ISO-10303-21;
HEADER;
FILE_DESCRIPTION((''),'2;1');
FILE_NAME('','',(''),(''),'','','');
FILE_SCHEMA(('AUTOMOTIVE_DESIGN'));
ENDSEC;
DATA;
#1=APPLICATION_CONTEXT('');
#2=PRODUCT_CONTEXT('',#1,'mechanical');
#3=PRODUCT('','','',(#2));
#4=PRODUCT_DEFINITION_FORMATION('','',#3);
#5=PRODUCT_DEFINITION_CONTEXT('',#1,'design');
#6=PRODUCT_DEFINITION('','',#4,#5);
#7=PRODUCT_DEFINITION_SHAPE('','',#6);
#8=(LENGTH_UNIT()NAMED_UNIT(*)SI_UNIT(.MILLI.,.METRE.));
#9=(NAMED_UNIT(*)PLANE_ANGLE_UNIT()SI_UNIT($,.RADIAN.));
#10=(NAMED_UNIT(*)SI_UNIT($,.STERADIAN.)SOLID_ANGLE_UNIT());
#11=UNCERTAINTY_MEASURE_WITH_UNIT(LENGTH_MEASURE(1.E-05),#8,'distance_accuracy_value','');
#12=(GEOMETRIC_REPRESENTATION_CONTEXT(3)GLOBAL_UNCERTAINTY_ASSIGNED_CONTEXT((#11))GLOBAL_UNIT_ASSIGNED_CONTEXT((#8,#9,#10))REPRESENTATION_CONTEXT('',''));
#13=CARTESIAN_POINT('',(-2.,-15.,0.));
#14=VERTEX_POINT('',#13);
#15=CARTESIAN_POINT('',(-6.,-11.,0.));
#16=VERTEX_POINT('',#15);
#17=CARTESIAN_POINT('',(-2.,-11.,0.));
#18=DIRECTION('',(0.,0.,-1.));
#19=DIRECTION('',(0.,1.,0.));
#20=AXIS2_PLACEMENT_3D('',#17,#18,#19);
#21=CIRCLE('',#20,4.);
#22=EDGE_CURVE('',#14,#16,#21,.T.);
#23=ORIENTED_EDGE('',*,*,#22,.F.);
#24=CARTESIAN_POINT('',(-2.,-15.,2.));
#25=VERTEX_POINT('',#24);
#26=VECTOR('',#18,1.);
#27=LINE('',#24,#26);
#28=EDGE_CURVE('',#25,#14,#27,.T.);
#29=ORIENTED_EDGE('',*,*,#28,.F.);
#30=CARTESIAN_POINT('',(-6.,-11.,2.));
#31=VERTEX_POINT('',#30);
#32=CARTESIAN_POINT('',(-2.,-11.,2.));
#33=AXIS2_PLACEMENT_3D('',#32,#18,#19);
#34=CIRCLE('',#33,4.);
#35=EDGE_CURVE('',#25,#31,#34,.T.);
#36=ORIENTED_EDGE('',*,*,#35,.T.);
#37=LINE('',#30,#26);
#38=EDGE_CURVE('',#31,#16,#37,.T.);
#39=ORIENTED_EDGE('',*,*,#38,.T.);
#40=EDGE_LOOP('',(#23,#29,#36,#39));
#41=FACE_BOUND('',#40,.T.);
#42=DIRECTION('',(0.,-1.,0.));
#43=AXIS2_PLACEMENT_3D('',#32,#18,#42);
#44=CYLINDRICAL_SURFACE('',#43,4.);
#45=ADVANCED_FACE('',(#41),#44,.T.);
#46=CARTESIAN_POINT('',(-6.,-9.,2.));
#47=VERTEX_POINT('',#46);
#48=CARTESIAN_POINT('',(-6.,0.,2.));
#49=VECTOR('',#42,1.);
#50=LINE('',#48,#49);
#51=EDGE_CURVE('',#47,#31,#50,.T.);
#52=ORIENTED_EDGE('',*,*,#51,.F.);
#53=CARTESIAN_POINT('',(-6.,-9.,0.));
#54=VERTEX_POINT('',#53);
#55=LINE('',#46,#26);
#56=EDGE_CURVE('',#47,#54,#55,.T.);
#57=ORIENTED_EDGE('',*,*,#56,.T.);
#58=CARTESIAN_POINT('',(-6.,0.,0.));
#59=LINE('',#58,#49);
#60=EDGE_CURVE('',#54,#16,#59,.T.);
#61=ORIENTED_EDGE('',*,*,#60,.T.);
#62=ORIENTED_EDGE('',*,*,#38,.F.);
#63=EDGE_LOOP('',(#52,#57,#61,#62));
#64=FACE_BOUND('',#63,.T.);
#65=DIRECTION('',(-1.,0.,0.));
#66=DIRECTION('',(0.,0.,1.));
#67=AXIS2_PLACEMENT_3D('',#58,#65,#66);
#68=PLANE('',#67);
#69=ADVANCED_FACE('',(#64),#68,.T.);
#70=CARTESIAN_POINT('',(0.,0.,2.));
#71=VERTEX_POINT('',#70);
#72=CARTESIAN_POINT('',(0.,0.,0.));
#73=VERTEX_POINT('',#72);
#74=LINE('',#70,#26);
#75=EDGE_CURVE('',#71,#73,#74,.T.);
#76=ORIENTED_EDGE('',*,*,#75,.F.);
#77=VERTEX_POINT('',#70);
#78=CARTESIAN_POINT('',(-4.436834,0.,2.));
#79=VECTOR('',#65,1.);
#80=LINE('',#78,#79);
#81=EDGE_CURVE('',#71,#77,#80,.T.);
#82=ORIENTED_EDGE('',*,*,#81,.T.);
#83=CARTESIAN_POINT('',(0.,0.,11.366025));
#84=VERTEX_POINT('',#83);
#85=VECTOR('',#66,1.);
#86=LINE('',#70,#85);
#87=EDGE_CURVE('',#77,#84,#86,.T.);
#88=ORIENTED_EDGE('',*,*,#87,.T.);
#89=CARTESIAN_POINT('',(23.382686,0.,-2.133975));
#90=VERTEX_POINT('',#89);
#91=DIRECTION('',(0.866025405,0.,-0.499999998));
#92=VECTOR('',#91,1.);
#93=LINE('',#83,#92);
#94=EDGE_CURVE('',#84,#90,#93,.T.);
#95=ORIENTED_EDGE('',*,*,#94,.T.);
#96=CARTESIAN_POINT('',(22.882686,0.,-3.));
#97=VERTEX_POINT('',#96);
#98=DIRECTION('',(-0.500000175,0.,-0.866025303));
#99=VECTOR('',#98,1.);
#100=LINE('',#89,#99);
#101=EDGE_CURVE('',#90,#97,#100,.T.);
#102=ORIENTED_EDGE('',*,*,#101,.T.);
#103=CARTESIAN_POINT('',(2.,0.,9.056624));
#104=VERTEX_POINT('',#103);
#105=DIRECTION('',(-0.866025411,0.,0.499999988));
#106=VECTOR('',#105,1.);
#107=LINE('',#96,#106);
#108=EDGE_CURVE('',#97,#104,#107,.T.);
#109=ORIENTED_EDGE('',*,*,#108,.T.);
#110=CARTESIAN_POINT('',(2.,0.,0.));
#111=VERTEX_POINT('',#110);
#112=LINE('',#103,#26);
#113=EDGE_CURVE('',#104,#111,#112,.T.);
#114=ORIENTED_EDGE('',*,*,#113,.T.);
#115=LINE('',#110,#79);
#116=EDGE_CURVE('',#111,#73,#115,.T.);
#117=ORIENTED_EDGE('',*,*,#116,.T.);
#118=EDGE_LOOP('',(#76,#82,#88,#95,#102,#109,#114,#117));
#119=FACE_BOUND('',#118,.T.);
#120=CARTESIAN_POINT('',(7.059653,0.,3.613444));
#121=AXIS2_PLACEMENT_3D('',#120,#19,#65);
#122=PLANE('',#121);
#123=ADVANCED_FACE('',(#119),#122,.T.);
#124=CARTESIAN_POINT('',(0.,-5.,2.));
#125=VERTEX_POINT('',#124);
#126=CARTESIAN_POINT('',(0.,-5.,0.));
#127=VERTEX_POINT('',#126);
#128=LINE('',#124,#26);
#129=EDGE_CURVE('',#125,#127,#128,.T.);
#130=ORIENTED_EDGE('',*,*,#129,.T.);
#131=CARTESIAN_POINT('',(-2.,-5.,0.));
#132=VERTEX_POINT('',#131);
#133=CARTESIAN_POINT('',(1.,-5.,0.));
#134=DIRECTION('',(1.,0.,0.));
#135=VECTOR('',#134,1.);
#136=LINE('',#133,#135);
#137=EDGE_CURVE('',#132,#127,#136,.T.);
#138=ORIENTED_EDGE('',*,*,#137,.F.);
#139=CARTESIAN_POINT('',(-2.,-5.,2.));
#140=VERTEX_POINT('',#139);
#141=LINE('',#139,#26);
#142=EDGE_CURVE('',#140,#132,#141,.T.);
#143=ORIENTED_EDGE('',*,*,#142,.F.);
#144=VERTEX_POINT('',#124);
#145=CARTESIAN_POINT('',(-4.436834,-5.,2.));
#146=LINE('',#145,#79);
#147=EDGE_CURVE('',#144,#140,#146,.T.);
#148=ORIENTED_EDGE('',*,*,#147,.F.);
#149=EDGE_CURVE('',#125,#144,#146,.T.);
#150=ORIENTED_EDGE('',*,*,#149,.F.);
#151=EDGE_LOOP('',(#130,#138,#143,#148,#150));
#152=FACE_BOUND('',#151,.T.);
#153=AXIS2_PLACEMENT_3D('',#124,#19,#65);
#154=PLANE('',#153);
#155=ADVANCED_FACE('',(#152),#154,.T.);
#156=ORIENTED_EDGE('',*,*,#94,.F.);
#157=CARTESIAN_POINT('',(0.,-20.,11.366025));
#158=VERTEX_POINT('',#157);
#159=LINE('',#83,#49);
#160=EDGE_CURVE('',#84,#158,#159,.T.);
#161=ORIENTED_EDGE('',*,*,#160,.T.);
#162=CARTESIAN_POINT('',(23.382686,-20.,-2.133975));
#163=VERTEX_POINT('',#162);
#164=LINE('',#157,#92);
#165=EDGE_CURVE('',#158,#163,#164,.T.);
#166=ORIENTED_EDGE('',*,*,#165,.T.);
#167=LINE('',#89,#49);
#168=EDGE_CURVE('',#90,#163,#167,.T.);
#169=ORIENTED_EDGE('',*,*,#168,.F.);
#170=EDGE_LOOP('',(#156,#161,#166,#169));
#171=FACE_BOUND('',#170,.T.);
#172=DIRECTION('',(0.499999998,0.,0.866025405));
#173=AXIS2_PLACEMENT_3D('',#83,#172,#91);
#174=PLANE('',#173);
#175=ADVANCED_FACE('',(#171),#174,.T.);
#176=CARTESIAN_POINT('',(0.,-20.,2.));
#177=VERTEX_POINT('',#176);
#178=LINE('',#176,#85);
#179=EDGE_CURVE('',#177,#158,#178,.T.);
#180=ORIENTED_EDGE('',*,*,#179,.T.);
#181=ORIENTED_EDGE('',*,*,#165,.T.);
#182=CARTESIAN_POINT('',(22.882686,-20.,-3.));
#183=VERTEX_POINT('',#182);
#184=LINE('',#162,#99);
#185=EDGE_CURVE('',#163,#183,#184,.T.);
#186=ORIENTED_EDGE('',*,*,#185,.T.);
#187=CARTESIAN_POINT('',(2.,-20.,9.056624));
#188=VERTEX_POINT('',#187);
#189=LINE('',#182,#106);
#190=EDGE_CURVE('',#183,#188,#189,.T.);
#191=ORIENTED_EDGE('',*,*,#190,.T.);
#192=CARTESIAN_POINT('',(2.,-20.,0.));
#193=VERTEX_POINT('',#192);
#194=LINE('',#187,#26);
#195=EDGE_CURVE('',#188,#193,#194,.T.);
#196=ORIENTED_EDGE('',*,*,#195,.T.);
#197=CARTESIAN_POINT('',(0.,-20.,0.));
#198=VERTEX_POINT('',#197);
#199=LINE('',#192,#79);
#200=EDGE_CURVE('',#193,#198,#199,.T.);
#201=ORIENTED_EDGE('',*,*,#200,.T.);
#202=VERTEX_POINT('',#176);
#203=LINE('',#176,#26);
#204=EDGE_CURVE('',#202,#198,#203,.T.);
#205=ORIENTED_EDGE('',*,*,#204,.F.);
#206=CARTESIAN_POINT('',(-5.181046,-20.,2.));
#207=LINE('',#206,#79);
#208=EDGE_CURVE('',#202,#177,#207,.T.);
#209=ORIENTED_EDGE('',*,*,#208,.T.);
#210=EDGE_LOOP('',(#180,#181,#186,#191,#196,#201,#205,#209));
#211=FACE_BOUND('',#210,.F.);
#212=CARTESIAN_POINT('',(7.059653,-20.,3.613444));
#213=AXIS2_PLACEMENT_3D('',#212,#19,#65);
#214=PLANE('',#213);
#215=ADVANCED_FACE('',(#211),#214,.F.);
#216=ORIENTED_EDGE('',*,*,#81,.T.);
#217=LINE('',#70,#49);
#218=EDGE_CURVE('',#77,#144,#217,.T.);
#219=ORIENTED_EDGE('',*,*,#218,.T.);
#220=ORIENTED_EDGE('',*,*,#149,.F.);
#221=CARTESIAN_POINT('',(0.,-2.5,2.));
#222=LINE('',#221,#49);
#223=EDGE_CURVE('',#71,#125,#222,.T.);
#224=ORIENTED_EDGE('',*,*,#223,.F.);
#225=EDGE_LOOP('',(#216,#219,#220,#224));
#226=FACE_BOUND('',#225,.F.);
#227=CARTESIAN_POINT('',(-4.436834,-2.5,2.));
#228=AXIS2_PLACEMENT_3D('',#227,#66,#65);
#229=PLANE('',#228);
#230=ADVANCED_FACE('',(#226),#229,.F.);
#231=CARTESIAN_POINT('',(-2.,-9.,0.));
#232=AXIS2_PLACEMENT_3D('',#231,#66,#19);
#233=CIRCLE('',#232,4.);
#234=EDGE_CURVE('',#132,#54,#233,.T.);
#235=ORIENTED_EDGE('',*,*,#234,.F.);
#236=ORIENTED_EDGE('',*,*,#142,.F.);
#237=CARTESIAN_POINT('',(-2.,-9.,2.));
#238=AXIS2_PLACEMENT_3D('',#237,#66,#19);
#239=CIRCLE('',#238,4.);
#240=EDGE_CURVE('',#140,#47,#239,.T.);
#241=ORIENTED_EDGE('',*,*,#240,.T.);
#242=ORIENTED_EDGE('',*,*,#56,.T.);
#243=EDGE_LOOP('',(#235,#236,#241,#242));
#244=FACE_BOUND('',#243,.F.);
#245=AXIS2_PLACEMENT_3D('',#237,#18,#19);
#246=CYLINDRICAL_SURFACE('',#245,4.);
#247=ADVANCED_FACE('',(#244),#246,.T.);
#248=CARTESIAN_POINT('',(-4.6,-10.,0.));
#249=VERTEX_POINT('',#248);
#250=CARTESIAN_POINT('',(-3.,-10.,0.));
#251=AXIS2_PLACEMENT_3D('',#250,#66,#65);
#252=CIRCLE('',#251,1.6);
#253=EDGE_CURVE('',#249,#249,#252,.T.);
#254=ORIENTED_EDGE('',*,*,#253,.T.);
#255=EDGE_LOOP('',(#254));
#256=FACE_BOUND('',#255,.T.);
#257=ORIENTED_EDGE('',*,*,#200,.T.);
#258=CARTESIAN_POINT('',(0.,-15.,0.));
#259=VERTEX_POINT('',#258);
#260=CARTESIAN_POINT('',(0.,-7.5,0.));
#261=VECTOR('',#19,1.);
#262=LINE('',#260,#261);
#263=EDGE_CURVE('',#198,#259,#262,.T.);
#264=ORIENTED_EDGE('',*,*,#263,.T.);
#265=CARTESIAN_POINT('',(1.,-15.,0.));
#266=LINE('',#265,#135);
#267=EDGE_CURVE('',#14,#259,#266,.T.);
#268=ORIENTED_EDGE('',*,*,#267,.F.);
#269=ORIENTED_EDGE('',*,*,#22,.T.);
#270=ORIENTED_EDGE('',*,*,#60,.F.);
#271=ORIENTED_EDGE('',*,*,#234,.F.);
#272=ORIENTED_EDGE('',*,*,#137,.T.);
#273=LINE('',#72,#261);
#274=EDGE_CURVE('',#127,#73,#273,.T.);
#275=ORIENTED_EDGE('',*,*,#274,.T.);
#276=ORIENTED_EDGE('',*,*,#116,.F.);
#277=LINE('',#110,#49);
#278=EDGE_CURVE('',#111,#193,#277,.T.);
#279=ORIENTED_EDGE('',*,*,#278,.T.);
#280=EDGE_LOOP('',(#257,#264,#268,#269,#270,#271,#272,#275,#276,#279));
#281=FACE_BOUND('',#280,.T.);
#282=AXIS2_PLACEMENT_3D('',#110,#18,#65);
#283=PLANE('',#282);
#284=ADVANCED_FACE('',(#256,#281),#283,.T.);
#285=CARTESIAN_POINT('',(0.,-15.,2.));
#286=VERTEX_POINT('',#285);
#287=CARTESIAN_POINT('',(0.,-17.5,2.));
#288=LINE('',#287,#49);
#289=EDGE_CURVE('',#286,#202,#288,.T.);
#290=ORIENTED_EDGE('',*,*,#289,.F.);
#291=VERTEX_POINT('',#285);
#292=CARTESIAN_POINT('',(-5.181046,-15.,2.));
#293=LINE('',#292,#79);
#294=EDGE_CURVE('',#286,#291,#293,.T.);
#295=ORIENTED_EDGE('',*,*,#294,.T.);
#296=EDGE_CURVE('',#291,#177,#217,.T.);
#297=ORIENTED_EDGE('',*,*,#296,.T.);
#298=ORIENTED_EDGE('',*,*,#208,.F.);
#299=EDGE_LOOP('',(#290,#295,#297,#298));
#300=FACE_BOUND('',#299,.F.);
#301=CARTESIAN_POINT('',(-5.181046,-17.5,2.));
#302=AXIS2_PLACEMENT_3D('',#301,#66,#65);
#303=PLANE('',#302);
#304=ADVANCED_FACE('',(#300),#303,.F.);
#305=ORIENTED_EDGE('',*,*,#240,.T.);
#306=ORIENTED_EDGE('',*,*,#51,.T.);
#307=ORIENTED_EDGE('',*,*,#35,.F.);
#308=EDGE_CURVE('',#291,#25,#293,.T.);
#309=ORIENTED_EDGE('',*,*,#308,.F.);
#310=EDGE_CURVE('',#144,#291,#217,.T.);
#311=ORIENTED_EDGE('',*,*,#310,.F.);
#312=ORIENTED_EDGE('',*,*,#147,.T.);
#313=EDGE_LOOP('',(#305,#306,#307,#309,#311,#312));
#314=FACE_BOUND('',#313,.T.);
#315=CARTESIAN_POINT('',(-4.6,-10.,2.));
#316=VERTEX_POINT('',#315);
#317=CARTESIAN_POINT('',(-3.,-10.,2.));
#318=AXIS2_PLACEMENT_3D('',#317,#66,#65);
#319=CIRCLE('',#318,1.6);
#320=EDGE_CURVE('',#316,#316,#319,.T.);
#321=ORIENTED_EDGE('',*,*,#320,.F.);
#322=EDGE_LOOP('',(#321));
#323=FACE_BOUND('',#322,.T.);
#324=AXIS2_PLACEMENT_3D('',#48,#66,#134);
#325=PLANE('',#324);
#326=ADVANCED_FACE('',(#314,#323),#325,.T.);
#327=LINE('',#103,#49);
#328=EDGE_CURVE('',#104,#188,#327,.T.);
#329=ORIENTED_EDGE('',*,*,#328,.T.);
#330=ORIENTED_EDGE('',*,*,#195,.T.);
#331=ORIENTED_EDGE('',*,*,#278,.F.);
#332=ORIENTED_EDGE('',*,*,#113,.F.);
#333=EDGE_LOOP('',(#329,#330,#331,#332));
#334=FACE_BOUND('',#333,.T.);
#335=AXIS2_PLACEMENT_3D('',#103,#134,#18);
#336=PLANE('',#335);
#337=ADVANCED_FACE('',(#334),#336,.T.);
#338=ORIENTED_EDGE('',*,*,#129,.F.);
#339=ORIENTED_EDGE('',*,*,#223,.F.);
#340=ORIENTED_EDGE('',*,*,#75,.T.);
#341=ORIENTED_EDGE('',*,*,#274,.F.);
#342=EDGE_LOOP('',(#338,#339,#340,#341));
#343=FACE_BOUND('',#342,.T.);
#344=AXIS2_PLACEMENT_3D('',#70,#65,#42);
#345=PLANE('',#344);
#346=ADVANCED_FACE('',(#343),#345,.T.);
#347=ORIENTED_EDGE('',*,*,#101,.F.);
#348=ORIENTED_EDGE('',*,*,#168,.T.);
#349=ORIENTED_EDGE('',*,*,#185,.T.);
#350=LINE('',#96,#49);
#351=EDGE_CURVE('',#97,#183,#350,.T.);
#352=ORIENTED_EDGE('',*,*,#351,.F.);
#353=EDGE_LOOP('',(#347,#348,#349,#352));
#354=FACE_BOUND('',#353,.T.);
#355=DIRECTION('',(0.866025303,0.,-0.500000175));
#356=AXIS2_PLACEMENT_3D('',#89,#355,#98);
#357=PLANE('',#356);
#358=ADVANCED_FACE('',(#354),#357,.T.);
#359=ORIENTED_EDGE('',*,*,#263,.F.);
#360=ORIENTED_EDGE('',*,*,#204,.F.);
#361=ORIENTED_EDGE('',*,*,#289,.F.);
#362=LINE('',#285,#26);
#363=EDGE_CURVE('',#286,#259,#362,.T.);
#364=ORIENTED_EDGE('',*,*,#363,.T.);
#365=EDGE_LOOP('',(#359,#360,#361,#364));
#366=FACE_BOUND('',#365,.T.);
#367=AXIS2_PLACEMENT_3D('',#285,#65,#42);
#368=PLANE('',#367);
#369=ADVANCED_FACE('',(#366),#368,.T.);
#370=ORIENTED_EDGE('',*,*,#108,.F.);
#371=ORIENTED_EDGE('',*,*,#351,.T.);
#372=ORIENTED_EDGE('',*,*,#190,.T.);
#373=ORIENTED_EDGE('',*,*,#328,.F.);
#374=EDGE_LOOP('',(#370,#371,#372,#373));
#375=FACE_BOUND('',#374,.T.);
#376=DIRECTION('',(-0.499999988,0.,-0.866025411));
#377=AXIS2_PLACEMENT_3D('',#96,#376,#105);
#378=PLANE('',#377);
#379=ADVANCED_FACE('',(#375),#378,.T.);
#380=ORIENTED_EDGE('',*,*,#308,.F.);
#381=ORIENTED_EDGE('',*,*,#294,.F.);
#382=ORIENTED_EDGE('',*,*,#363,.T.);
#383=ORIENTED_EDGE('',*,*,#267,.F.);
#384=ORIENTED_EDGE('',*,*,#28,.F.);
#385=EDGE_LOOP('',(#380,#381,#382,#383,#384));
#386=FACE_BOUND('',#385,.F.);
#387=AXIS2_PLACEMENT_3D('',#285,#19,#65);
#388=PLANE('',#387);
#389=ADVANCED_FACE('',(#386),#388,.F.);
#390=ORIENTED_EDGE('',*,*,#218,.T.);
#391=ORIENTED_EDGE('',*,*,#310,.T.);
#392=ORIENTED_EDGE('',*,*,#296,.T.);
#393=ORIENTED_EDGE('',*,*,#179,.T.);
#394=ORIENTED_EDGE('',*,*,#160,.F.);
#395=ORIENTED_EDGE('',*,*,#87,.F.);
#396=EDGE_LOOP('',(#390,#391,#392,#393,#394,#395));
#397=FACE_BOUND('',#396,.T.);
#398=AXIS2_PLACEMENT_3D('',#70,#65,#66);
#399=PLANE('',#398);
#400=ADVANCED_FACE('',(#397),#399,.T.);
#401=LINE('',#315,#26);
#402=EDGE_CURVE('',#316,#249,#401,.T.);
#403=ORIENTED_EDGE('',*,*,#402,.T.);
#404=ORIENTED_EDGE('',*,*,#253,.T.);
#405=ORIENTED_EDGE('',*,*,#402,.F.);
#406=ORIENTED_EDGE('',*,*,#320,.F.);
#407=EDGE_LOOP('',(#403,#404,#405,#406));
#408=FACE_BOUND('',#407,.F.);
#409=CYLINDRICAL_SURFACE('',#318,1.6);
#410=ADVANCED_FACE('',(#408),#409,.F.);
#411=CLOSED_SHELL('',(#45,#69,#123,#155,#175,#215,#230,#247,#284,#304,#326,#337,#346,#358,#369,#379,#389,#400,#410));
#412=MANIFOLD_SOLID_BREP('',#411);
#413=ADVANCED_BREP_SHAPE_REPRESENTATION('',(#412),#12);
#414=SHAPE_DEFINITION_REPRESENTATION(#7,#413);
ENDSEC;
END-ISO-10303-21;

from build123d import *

# Parameters (mm, degrees)
PAD_DEPTH     = 20
SKETCH001_R   = 1.6
SKETCH001_W   = 8.873669
SKETCH001_H   = 5
SKETCH001_W_2 = 10.362093
POCKET_DEPTH  = 5
FILLET_R      = 4


with BuildPart() as part:
    # Sketch → Pad (new body)
    with BuildSketch(Plane.XZ):
        Polygon((0, 11.366025), (23.382686, -2.133975), (22.882686, -3), (2, 9.056624), (2, 0), (-6, 0), (-6, 2), (0, 2), align=None)
    extrude(amount=PAD_DEPTH)

    # Sketch001 (on Face7 of Pad) → Pocket (cut)
    with BuildSketch(Plane(origin=(0, 0, 2), x_dir=(-1, 0, 0), z_dir=(0, 0, 1))):
        with Locations((3, 10)):
            Circle(SKETCH001_R)
        with Locations((4.436834, 2.5)):
            Rectangle(SKETCH001_W, SKETCH001_H)
        with Locations((5.181046, 17.5)):
            Rectangle(SKETCH001_W_2, SKETCH001_H)
    extrude(amount=-POCKET_DEPTH, mode=Mode.SUBTRACT)

    # Fillet
    fillet_edges = [part.edges().sort_by_distance(p)[0] for p in [
        (-6, -5, 1),
        (-6, -15, 1),
    ]]
    fillet(fillet_edges, radius=FILLET_R)


solid = part.part
